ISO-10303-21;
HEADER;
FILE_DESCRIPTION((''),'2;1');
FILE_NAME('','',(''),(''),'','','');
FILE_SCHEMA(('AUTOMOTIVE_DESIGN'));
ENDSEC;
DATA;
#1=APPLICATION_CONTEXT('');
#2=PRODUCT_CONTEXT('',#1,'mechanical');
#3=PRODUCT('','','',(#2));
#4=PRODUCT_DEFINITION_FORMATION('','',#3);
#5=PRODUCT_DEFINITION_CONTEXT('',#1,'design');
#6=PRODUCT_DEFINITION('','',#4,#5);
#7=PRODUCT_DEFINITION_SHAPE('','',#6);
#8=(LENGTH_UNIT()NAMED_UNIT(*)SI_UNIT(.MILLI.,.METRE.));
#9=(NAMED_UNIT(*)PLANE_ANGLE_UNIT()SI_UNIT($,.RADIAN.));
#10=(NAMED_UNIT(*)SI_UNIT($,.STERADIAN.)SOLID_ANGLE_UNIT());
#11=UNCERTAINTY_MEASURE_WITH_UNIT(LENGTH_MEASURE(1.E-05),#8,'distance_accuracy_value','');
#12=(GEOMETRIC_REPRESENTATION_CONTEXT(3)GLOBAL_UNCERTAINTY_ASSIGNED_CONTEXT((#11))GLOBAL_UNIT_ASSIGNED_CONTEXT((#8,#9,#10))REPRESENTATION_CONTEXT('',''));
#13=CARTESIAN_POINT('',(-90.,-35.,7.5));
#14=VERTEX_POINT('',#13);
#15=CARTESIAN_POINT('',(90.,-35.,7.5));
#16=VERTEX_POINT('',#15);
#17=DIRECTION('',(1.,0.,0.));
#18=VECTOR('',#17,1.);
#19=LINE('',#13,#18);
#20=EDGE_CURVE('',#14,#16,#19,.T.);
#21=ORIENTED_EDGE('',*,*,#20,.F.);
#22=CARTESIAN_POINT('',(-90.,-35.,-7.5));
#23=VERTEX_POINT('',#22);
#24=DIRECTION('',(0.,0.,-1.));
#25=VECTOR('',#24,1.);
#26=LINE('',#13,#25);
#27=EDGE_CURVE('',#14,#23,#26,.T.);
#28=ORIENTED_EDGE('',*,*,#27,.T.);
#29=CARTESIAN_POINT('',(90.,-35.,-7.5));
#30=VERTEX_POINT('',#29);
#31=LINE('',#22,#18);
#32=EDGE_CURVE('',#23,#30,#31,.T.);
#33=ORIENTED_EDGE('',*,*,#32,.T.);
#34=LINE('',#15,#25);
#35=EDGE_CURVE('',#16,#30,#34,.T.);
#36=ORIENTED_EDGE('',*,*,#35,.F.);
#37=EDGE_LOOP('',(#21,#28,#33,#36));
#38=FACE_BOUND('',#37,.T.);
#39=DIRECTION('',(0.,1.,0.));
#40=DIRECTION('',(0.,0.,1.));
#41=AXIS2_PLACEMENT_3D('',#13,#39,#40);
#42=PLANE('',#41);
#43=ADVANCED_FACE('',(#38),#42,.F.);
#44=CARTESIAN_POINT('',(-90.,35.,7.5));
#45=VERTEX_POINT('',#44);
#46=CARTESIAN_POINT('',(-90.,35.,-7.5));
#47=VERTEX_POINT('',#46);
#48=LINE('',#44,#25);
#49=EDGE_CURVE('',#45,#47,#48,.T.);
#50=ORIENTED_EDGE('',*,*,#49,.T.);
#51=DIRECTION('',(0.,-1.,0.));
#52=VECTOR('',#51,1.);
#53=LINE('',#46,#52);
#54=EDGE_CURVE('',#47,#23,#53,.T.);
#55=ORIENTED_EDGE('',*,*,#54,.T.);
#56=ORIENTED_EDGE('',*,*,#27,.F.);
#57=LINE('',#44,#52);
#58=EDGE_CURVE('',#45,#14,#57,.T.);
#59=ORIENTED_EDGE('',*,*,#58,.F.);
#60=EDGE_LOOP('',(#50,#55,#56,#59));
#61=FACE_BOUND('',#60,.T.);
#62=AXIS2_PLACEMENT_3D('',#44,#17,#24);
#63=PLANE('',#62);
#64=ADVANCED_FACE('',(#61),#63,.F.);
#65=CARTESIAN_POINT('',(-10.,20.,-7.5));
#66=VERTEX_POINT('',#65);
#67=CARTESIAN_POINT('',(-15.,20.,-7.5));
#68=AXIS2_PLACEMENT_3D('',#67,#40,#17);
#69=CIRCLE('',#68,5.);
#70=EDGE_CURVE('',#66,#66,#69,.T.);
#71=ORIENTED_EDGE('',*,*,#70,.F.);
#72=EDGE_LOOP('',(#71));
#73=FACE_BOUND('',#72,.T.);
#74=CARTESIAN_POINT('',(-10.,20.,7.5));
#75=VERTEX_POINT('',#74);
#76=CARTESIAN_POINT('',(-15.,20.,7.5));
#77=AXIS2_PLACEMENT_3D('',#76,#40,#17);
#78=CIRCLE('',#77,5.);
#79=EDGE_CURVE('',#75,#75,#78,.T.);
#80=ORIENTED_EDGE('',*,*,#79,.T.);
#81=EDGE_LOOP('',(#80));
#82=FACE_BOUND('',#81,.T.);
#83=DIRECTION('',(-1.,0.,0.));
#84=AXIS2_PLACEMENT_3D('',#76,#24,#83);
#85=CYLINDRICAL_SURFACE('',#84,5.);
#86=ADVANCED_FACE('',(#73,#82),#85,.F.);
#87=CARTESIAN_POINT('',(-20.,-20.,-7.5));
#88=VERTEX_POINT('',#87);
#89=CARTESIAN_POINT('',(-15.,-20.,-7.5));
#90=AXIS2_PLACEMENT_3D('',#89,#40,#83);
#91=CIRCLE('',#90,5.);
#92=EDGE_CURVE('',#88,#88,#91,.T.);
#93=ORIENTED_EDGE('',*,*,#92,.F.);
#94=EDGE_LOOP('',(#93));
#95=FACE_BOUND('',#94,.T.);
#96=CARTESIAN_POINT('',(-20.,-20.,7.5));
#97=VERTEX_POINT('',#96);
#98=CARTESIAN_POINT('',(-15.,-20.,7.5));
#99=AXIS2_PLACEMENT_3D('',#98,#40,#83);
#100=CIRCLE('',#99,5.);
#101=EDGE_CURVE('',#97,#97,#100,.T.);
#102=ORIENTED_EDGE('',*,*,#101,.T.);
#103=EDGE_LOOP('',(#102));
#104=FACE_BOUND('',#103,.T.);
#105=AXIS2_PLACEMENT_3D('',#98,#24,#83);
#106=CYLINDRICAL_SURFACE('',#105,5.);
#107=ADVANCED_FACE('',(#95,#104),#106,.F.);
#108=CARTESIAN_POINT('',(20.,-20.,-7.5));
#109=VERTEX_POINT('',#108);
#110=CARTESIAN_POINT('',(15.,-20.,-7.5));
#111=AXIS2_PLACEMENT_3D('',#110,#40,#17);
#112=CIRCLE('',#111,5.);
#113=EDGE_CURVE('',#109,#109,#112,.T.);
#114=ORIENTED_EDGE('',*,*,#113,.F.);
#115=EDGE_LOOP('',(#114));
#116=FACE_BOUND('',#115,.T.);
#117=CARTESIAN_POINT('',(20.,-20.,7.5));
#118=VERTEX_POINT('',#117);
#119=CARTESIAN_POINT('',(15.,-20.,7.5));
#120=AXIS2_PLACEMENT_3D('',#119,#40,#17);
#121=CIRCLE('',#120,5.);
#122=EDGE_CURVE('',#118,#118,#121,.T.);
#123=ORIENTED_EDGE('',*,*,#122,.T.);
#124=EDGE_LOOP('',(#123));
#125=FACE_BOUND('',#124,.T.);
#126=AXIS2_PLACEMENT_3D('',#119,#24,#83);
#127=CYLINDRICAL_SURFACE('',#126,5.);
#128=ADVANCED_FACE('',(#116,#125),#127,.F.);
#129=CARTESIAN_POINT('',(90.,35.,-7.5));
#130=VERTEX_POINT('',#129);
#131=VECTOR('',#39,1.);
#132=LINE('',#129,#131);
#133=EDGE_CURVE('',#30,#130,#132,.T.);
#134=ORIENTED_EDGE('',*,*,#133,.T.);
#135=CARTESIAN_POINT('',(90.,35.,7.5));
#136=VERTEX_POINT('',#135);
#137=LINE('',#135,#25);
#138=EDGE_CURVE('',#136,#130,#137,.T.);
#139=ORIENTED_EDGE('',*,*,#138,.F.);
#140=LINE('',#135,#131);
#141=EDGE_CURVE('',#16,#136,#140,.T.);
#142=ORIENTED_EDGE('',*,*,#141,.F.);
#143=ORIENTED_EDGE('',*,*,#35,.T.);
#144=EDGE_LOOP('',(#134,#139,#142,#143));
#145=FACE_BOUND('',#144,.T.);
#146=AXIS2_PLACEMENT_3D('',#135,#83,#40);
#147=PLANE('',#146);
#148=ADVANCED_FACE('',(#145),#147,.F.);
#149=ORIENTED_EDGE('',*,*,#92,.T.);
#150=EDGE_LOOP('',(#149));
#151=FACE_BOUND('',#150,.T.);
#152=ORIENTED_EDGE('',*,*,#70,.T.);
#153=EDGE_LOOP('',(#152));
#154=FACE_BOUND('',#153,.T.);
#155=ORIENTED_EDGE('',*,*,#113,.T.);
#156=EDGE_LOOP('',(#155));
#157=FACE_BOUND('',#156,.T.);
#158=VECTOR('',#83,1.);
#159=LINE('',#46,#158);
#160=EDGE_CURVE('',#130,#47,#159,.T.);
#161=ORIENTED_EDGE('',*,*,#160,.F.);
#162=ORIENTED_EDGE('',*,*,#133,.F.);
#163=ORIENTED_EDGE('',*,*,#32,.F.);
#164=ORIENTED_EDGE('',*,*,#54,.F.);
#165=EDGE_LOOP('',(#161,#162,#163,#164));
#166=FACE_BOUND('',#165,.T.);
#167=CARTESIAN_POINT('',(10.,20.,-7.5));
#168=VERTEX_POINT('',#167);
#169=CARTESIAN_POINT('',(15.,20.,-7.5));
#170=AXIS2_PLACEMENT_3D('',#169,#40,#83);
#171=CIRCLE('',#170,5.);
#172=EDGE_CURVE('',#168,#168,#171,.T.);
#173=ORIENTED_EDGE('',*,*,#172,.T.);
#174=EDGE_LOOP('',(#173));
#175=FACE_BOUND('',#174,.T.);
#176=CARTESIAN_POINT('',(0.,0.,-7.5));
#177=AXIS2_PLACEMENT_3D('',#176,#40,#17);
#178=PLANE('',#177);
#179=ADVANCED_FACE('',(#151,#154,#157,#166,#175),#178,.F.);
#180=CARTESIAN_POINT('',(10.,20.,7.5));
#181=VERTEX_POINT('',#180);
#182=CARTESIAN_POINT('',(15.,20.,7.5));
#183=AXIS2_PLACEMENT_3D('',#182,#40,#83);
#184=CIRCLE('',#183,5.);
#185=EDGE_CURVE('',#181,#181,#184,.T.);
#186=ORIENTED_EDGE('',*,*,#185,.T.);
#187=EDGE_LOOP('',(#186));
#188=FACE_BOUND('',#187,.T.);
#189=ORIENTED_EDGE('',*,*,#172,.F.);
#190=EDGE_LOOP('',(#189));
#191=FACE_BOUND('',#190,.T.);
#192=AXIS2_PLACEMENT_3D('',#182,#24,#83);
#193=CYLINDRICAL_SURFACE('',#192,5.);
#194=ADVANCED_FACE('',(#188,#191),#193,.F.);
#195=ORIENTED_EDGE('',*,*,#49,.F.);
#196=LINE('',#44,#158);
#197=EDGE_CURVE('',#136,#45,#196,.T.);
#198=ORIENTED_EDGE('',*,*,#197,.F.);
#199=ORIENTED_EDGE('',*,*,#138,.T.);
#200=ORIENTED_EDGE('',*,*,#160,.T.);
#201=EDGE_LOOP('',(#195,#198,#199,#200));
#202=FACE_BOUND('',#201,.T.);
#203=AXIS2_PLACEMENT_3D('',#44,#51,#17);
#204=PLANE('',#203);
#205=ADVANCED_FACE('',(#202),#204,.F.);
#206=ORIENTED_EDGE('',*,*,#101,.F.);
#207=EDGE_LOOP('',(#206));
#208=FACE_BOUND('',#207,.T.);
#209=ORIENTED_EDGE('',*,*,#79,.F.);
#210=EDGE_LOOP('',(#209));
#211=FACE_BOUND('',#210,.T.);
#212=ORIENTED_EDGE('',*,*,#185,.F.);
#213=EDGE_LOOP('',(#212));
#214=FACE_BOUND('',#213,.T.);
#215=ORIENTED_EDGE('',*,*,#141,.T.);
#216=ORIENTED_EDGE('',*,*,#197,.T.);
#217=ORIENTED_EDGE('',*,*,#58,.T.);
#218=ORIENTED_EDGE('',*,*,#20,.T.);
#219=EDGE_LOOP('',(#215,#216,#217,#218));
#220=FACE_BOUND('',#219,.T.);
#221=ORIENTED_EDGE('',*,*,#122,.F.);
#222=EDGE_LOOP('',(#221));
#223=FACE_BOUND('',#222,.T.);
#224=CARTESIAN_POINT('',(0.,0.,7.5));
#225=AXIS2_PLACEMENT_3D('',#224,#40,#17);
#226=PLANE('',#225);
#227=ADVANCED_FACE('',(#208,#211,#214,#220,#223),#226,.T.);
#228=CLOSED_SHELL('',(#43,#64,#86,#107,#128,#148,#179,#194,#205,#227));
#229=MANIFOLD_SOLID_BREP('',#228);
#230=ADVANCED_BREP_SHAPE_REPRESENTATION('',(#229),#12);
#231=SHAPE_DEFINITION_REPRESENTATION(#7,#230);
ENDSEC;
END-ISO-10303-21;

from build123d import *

# Parameters (mm, degrees)
SKETCH_1_W      = 180
SKETCH_1_H      = 70
SKETCH_1_R      = 5
EXTRUDE_1_DEPTH = 7.5


with BuildPart() as part:
    # 草图1 → 凸台-拉伸1 (new, symmetric)
    with BuildSketch(Plane.XY):
        Rectangle(SKETCH_1_W, SKETCH_1_H)
        with Locations((-15, 20)):
            Circle(SKETCH_1_R, mode=Mode.SUBTRACT)
        with Locations(Location((15, 20, 0), (0, 0, 180))):
            Circle(SKETCH_1_R, mode=Mode.SUBTRACT)
        with Locations((15, -20)):
            Circle(SKETCH_1_R, mode=Mode.SUBTRACT)
        with Locations(Location((-15, -20, 0), (0, 0, 180))):
            Circle(SKETCH_1_R, mode=Mode.SUBTRACT)
    extrude(amount=EXTRUDE_1_DEPTH, both=True)


solid = part.part
